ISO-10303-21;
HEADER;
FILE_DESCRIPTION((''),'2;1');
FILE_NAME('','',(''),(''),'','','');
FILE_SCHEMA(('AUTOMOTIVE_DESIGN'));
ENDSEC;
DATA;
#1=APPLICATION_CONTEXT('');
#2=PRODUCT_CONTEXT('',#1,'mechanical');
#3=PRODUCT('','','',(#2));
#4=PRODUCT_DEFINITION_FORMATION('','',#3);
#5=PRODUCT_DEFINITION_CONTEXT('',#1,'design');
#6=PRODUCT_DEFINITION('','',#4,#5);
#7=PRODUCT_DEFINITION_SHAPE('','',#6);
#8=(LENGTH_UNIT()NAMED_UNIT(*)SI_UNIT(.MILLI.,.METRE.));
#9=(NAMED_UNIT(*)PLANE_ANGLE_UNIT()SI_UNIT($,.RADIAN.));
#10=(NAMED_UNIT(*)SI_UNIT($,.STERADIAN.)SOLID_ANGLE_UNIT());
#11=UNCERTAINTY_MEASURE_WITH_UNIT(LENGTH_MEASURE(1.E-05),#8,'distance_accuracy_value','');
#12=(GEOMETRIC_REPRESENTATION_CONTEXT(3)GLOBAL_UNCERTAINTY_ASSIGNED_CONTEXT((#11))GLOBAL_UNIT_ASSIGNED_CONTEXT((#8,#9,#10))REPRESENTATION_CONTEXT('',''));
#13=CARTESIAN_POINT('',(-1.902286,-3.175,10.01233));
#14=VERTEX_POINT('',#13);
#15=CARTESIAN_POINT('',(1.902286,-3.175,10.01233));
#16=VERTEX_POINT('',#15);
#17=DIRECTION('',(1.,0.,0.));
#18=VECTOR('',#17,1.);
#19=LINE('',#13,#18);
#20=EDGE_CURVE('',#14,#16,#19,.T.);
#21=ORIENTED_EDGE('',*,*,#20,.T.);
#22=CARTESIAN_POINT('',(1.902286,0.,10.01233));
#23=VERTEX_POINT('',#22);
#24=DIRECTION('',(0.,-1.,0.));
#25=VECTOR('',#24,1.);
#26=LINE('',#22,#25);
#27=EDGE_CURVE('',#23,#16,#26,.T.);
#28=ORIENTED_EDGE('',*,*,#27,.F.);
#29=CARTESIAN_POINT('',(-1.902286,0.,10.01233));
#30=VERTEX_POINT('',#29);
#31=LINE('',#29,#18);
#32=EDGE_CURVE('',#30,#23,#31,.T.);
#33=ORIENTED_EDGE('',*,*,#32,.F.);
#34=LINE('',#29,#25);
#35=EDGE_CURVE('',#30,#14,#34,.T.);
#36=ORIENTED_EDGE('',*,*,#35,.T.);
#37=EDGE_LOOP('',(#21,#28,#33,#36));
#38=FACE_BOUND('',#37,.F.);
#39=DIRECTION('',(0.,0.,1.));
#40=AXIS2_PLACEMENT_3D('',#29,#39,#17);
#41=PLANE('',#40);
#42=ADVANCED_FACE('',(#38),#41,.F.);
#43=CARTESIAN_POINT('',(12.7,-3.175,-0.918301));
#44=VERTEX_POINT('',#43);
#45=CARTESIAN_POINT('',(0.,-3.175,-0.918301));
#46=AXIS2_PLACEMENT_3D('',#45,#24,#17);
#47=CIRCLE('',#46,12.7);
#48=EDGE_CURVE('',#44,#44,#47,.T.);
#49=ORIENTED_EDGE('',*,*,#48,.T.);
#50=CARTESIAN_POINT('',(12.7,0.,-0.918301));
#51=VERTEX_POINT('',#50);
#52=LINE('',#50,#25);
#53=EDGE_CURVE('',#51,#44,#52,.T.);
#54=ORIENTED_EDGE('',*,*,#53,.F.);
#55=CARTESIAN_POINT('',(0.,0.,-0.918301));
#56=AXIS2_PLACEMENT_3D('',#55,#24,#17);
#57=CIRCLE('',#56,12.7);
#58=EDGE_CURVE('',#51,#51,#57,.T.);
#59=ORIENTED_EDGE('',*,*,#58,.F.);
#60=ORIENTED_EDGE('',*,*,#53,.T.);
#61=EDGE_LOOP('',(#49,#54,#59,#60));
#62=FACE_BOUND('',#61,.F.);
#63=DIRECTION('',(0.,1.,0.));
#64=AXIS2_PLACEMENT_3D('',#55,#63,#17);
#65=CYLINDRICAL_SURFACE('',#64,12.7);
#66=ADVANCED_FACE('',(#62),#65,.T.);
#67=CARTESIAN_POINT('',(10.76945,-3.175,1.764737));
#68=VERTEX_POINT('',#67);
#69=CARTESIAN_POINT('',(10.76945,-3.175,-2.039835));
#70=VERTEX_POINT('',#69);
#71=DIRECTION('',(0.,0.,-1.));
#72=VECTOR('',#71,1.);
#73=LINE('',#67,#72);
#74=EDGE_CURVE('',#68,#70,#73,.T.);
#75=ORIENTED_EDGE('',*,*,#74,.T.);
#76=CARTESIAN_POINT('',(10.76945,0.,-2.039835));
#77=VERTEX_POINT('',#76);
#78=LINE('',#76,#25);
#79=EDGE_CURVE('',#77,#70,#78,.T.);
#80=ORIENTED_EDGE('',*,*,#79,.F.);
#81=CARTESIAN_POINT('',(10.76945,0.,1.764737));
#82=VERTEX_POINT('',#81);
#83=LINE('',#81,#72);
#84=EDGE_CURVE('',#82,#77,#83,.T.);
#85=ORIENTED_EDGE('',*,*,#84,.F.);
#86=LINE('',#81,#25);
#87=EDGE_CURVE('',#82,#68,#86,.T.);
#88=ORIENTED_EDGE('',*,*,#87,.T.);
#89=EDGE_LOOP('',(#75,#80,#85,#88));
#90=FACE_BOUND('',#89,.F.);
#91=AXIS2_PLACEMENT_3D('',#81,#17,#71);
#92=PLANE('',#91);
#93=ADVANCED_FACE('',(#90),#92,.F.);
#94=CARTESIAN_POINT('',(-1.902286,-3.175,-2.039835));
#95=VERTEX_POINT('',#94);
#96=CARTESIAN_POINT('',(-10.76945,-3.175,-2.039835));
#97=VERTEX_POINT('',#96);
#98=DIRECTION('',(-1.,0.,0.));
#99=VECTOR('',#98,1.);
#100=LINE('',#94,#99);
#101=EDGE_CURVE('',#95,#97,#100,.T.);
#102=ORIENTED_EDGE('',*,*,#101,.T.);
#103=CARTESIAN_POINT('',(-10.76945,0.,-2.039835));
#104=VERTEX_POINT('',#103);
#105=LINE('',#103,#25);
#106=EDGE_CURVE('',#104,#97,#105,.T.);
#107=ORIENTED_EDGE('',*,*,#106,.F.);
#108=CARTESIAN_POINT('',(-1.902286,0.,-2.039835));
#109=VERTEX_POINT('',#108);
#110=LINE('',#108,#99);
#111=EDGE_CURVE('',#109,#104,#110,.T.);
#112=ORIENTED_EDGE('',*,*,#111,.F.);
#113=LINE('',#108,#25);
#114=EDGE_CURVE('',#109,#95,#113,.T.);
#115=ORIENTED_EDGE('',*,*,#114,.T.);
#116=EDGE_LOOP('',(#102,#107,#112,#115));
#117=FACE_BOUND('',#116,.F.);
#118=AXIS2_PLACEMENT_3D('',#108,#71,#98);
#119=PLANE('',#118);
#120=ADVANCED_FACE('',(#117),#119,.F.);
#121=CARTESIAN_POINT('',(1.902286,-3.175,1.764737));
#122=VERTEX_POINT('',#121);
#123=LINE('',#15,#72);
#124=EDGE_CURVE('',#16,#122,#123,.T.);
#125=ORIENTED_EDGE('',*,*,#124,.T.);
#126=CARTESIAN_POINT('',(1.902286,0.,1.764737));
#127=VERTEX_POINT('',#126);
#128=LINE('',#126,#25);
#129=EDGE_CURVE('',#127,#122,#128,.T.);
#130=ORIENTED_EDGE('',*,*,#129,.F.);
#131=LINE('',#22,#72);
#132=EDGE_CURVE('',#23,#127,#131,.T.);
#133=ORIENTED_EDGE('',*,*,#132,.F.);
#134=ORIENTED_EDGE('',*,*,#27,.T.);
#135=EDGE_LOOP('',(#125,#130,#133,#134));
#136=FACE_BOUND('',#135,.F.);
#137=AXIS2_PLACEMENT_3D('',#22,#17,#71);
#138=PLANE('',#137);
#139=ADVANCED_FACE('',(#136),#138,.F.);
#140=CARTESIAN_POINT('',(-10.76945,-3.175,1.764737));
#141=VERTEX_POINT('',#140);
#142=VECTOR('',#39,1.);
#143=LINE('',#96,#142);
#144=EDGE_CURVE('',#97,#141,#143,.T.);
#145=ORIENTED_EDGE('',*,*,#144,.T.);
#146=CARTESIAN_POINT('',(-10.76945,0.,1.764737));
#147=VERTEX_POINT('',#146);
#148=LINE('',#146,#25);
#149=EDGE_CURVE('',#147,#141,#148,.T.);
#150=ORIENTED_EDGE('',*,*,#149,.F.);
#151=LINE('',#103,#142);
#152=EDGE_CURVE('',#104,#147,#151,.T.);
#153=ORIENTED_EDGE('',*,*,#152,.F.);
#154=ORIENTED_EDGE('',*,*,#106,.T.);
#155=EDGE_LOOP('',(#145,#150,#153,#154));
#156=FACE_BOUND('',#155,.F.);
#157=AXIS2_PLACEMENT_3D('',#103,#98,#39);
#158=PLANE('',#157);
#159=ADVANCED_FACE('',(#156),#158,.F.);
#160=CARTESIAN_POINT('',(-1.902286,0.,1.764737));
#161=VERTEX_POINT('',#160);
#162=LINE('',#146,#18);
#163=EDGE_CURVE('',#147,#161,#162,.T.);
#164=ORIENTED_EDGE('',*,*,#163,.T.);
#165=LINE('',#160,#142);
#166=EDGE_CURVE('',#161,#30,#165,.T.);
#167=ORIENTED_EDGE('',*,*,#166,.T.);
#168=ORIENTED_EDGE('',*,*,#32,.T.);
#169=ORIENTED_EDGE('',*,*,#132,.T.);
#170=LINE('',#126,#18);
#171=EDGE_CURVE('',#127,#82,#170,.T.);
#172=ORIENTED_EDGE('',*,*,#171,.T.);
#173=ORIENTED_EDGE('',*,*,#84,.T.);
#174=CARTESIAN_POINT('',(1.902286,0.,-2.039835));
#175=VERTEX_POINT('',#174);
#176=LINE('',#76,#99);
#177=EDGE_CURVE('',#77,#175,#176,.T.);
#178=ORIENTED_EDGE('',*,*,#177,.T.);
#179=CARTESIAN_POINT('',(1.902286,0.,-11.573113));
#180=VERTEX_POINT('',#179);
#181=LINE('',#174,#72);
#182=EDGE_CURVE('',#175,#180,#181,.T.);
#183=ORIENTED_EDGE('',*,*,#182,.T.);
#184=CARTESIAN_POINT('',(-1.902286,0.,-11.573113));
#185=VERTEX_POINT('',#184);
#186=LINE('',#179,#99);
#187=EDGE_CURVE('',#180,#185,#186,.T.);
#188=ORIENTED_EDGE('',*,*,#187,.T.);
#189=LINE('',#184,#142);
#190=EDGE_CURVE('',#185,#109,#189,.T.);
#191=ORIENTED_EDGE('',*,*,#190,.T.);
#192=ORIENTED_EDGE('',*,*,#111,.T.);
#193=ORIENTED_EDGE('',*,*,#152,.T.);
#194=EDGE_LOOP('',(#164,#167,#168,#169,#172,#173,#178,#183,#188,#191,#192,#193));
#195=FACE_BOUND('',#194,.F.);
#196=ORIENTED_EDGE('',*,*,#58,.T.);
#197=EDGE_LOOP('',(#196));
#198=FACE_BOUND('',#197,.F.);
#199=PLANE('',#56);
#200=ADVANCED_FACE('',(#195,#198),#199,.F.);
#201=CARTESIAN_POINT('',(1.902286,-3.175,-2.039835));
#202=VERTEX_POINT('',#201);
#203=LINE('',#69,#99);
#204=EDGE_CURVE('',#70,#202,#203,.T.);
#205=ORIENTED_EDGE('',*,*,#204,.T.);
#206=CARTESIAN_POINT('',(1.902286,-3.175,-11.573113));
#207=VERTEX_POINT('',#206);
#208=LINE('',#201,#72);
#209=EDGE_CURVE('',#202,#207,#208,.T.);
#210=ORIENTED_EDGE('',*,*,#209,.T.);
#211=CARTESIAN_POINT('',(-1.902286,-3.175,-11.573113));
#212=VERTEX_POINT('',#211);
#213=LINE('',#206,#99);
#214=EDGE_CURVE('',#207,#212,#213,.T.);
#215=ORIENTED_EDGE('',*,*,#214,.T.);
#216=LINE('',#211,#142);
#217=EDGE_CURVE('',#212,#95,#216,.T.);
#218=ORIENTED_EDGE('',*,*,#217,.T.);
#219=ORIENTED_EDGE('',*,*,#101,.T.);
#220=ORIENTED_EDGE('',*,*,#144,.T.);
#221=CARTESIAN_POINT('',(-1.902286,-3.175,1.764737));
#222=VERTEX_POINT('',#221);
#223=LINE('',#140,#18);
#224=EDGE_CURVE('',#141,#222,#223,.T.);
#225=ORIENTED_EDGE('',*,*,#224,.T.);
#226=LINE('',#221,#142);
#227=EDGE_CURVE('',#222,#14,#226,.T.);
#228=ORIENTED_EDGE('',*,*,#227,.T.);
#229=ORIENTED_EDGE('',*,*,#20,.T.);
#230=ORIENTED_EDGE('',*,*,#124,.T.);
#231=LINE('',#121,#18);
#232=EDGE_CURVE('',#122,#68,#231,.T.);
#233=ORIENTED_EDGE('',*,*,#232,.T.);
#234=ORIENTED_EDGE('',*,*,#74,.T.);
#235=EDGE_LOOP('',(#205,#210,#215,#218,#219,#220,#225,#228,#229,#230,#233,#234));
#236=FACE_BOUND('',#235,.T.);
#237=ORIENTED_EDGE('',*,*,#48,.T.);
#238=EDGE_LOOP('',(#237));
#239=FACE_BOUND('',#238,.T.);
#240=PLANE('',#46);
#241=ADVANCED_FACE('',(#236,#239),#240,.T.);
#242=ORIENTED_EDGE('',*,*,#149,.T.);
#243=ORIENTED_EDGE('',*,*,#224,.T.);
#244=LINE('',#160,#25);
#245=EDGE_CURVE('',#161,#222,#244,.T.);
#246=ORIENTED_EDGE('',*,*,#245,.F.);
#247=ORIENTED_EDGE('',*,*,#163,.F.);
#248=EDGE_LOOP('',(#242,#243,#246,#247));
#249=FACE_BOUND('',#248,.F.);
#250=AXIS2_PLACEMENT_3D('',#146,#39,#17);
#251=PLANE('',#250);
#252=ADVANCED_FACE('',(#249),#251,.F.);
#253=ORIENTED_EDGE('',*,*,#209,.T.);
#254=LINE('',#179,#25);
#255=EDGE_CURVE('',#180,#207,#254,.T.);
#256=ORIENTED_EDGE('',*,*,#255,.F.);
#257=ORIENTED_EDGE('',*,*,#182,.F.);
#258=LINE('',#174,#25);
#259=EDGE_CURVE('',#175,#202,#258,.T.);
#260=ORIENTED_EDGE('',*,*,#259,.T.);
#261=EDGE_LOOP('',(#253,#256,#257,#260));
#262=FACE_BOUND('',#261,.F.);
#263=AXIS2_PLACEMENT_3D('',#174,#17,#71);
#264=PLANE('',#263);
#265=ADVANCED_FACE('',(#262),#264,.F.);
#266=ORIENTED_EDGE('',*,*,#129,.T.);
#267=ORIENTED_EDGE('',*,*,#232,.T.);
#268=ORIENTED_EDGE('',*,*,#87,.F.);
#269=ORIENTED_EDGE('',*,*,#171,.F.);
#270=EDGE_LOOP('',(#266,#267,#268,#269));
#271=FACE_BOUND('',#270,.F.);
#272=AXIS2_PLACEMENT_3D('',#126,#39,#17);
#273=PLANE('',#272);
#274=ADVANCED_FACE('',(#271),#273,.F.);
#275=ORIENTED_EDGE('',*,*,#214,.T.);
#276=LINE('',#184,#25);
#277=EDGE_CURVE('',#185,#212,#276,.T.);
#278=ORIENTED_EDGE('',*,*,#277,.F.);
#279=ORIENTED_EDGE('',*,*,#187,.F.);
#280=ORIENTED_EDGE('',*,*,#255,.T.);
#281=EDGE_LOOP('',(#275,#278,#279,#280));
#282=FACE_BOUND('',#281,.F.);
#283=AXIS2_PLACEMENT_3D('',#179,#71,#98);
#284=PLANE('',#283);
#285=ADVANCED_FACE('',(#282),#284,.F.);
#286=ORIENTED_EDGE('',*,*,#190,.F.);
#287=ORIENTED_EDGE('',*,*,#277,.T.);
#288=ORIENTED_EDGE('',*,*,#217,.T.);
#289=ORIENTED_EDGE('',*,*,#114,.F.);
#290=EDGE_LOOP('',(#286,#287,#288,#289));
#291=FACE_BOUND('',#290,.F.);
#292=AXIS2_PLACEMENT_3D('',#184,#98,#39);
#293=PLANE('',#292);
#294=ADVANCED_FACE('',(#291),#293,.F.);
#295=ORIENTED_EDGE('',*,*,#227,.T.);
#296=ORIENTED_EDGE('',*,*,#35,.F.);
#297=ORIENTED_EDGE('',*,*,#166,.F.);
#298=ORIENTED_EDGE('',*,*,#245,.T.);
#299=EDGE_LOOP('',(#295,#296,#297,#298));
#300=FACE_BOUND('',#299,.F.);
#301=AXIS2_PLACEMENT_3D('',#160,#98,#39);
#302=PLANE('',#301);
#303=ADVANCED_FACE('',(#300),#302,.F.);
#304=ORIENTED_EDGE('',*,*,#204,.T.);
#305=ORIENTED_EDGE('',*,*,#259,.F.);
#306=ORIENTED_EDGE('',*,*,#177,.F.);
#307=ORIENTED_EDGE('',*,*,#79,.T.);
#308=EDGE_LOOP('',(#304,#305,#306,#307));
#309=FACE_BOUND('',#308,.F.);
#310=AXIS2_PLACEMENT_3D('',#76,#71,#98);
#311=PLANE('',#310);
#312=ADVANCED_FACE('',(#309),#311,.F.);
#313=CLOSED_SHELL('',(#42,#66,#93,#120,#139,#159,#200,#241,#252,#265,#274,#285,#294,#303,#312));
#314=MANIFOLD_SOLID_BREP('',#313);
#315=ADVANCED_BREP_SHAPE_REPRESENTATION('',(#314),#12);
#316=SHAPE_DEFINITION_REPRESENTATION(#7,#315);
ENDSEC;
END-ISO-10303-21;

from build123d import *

# Parameters (mm, degrees)
F0_R     = 12.7
F1_DEPTH = 3.175


with BuildPart() as f1:
    # F0 (on Front) → F1 (new body)
    with BuildSketch(Plane.XZ):
        with Locations((0, -0.918301)):
            Circle(F0_R)
        Polygon((-10.76945, -2.039835), (-10.76945, 1.764737), (-1.902286, 1.764737), (-1.902286, 10.01233), (1.902286, 10.01233), (1.902286, 1.764737), (10.76945, 1.764737), (10.76945, -2.039835), (1.902286, -2.039835), (1.902286, -11.573113), (-1.902286, -11.573113), (-1.902286, -2.039835), align=None, mode=Mode.SUBTRACT)
    extrude(amount=F1_DEPTH)


solid = f1.part
